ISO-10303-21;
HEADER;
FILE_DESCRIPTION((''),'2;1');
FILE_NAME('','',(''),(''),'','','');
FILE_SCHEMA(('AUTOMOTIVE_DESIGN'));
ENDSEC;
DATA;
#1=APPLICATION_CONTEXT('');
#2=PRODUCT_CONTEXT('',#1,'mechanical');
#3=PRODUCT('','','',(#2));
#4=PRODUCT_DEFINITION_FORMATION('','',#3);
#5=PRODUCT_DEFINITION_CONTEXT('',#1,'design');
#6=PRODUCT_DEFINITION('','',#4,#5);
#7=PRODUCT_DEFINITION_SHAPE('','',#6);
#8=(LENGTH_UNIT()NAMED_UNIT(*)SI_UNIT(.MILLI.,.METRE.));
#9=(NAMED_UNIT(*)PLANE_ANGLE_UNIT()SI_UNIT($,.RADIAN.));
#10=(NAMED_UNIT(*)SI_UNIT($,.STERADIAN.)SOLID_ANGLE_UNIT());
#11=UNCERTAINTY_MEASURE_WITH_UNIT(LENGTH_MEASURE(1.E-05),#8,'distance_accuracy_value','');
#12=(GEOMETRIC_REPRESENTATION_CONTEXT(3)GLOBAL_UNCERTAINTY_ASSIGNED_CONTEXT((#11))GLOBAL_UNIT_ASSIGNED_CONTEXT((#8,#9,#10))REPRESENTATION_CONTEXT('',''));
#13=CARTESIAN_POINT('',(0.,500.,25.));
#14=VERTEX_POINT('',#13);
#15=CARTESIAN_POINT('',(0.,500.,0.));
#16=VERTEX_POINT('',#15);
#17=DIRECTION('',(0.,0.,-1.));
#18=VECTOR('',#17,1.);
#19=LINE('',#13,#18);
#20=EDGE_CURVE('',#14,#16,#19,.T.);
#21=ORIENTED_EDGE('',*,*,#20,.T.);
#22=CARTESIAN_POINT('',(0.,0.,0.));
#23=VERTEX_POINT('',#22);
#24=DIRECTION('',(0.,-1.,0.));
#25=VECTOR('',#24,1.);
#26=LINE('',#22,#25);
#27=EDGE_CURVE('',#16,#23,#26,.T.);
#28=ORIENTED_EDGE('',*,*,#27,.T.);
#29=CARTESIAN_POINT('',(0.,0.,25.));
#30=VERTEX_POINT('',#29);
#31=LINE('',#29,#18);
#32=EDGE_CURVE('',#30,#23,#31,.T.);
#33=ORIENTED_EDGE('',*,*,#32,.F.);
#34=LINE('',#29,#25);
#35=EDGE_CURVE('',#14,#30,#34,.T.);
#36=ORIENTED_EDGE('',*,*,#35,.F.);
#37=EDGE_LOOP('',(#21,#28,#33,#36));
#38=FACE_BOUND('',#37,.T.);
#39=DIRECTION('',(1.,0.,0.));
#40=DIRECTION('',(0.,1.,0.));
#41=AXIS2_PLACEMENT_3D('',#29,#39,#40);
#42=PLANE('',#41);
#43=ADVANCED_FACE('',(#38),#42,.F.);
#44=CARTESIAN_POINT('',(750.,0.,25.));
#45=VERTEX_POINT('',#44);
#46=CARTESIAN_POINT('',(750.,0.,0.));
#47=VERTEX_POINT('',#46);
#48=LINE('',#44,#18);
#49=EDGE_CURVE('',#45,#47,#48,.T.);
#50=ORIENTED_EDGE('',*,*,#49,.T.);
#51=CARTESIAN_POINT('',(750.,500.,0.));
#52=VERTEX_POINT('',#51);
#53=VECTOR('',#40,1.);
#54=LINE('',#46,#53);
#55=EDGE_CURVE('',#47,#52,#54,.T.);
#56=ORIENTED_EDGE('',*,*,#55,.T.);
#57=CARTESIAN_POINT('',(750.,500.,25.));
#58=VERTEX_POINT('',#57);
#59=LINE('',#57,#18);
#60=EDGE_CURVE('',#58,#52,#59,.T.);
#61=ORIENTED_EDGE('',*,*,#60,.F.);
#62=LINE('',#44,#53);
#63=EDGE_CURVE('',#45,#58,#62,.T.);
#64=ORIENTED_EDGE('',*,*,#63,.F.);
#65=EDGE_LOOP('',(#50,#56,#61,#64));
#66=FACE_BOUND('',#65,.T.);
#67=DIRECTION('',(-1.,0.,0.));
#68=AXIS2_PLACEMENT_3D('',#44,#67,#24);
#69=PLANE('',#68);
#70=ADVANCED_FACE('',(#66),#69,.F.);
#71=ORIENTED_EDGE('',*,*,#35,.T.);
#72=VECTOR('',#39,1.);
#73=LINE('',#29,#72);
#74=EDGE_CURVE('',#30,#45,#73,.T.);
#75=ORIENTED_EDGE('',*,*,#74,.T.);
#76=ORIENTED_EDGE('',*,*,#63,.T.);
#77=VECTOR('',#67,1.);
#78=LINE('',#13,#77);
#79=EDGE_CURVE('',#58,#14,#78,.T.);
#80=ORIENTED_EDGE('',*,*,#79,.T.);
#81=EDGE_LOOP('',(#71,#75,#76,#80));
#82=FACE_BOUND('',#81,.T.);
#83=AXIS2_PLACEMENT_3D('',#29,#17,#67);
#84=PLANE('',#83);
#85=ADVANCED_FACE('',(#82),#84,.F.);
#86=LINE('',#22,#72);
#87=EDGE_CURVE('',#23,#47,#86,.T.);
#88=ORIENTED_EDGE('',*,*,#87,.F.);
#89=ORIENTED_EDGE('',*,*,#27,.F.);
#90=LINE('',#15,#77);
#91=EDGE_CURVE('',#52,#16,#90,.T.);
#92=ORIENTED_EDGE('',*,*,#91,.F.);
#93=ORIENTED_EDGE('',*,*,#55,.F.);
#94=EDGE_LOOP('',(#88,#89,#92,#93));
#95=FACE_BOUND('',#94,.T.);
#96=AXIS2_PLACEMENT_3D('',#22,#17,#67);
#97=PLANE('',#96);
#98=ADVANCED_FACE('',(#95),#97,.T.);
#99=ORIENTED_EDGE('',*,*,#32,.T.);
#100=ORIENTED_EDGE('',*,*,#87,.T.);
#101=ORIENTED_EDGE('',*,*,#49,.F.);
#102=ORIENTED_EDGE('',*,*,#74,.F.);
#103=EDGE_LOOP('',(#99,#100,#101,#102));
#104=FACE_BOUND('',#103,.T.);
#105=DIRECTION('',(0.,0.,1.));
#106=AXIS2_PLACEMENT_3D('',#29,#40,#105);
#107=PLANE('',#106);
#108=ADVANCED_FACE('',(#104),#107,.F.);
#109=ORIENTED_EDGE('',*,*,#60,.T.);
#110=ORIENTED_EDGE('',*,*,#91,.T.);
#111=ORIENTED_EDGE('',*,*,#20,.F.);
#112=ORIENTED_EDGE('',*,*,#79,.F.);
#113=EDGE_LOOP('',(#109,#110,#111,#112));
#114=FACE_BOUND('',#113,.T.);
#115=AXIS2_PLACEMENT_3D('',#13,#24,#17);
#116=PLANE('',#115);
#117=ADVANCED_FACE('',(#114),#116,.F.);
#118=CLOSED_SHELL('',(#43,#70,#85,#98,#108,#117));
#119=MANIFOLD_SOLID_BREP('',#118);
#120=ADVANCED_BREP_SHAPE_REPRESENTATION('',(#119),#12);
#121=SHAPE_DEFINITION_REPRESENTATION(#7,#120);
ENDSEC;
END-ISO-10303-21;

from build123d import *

# Parameters (mm, degrees)
SKETCH2_W  = 750
SKETCH2_H  = 500
BASE_DEPTH = 25


with BuildPart() as part:
    # Sketch2 → base (new body)
    with BuildSketch(Plane.XY):
        with Locations((375, 250)):
            Rectangle(SKETCH2_W, SKETCH2_H)
    extrude(amount=BASE_DEPTH)


solid = part.part
